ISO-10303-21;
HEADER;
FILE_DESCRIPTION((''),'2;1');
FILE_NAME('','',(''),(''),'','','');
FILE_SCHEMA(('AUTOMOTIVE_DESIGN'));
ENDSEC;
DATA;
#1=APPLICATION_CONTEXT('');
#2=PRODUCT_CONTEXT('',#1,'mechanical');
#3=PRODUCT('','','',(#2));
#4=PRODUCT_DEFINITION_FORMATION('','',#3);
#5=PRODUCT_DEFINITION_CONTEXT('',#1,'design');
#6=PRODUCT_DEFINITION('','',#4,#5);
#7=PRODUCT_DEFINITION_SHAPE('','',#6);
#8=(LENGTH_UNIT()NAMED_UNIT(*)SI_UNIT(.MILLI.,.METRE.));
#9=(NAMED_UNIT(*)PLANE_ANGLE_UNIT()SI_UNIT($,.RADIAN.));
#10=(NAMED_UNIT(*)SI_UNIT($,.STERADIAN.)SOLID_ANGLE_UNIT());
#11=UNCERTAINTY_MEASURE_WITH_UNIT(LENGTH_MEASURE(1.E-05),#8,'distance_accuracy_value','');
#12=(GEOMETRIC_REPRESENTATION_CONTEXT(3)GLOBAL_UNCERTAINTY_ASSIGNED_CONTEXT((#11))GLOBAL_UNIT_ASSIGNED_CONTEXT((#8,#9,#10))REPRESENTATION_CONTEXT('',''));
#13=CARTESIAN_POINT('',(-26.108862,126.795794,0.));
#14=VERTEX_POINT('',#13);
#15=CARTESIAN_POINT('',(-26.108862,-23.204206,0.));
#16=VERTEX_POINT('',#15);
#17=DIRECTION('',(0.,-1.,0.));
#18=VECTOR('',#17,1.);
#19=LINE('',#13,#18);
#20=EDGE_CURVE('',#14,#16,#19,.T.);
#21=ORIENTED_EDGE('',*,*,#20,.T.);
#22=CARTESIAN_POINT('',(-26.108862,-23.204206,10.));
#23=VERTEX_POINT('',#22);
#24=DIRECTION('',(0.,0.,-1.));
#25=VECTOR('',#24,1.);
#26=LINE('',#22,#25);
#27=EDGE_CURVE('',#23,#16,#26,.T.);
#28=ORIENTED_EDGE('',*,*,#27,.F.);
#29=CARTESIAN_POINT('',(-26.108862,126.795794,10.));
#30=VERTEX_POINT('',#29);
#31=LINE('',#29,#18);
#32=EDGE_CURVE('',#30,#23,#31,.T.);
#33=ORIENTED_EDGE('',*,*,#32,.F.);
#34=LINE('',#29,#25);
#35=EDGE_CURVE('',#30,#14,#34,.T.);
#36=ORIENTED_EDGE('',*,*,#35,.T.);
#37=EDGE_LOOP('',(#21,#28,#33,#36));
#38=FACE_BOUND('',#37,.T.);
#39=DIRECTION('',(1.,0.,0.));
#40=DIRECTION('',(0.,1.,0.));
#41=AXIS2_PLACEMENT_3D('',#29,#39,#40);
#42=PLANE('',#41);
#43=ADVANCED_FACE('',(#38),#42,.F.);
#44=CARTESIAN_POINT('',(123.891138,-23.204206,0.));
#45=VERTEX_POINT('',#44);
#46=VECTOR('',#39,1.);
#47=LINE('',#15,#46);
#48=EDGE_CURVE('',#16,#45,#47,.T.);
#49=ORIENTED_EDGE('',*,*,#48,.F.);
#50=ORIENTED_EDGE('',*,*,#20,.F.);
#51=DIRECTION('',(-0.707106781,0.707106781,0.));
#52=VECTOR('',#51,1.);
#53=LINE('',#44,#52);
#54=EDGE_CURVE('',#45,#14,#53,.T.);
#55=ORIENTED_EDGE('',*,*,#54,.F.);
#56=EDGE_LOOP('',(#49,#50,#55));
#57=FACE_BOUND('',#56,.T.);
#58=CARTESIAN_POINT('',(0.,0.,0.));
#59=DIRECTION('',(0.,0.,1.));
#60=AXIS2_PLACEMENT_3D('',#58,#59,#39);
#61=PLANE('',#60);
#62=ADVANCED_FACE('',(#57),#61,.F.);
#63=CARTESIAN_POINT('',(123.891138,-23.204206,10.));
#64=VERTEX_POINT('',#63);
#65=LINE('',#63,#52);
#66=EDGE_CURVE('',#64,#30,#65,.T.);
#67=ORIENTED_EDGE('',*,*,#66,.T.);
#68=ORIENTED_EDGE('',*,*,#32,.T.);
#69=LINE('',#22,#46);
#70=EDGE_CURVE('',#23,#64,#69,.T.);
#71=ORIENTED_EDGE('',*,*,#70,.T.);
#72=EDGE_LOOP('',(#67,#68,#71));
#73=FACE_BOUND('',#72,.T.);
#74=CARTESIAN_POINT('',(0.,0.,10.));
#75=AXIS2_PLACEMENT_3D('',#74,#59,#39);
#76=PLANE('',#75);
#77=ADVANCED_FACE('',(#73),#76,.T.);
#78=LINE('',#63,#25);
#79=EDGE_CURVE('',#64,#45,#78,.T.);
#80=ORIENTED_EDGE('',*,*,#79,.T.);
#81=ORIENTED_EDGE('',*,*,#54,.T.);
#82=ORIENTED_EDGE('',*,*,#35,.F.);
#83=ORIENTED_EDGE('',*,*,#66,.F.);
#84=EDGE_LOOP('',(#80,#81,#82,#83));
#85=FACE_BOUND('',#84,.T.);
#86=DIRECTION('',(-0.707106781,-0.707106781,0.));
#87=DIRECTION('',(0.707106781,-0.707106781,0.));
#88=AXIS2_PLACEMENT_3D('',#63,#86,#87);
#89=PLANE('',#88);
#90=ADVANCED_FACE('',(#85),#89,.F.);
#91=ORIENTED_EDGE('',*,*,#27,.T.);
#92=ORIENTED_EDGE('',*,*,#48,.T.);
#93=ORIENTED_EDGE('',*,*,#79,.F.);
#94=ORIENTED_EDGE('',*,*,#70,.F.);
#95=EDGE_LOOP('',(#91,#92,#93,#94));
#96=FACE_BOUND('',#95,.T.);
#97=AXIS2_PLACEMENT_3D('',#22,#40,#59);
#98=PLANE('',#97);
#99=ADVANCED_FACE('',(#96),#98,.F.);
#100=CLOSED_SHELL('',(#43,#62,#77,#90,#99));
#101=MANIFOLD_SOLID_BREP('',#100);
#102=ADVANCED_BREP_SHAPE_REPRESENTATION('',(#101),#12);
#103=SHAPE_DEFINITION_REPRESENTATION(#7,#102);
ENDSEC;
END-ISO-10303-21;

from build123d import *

# Parameters (mm, degrees)
SALIENTE_EXTRUIR1_DEPTH = 10


with BuildPart() as part:
    # Croquis1 → Saliente-Extruir1 (new body)
    with BuildSketch(Plane.XY):
        Polygon((-26.108862104, 126.795794393), (-26.108862104, -23.204205607), (123.891137896, -23.204205607), align=None)
    extrude(amount=SALIENTE_EXTRUIR1_DEPTH)


solid = part.part
